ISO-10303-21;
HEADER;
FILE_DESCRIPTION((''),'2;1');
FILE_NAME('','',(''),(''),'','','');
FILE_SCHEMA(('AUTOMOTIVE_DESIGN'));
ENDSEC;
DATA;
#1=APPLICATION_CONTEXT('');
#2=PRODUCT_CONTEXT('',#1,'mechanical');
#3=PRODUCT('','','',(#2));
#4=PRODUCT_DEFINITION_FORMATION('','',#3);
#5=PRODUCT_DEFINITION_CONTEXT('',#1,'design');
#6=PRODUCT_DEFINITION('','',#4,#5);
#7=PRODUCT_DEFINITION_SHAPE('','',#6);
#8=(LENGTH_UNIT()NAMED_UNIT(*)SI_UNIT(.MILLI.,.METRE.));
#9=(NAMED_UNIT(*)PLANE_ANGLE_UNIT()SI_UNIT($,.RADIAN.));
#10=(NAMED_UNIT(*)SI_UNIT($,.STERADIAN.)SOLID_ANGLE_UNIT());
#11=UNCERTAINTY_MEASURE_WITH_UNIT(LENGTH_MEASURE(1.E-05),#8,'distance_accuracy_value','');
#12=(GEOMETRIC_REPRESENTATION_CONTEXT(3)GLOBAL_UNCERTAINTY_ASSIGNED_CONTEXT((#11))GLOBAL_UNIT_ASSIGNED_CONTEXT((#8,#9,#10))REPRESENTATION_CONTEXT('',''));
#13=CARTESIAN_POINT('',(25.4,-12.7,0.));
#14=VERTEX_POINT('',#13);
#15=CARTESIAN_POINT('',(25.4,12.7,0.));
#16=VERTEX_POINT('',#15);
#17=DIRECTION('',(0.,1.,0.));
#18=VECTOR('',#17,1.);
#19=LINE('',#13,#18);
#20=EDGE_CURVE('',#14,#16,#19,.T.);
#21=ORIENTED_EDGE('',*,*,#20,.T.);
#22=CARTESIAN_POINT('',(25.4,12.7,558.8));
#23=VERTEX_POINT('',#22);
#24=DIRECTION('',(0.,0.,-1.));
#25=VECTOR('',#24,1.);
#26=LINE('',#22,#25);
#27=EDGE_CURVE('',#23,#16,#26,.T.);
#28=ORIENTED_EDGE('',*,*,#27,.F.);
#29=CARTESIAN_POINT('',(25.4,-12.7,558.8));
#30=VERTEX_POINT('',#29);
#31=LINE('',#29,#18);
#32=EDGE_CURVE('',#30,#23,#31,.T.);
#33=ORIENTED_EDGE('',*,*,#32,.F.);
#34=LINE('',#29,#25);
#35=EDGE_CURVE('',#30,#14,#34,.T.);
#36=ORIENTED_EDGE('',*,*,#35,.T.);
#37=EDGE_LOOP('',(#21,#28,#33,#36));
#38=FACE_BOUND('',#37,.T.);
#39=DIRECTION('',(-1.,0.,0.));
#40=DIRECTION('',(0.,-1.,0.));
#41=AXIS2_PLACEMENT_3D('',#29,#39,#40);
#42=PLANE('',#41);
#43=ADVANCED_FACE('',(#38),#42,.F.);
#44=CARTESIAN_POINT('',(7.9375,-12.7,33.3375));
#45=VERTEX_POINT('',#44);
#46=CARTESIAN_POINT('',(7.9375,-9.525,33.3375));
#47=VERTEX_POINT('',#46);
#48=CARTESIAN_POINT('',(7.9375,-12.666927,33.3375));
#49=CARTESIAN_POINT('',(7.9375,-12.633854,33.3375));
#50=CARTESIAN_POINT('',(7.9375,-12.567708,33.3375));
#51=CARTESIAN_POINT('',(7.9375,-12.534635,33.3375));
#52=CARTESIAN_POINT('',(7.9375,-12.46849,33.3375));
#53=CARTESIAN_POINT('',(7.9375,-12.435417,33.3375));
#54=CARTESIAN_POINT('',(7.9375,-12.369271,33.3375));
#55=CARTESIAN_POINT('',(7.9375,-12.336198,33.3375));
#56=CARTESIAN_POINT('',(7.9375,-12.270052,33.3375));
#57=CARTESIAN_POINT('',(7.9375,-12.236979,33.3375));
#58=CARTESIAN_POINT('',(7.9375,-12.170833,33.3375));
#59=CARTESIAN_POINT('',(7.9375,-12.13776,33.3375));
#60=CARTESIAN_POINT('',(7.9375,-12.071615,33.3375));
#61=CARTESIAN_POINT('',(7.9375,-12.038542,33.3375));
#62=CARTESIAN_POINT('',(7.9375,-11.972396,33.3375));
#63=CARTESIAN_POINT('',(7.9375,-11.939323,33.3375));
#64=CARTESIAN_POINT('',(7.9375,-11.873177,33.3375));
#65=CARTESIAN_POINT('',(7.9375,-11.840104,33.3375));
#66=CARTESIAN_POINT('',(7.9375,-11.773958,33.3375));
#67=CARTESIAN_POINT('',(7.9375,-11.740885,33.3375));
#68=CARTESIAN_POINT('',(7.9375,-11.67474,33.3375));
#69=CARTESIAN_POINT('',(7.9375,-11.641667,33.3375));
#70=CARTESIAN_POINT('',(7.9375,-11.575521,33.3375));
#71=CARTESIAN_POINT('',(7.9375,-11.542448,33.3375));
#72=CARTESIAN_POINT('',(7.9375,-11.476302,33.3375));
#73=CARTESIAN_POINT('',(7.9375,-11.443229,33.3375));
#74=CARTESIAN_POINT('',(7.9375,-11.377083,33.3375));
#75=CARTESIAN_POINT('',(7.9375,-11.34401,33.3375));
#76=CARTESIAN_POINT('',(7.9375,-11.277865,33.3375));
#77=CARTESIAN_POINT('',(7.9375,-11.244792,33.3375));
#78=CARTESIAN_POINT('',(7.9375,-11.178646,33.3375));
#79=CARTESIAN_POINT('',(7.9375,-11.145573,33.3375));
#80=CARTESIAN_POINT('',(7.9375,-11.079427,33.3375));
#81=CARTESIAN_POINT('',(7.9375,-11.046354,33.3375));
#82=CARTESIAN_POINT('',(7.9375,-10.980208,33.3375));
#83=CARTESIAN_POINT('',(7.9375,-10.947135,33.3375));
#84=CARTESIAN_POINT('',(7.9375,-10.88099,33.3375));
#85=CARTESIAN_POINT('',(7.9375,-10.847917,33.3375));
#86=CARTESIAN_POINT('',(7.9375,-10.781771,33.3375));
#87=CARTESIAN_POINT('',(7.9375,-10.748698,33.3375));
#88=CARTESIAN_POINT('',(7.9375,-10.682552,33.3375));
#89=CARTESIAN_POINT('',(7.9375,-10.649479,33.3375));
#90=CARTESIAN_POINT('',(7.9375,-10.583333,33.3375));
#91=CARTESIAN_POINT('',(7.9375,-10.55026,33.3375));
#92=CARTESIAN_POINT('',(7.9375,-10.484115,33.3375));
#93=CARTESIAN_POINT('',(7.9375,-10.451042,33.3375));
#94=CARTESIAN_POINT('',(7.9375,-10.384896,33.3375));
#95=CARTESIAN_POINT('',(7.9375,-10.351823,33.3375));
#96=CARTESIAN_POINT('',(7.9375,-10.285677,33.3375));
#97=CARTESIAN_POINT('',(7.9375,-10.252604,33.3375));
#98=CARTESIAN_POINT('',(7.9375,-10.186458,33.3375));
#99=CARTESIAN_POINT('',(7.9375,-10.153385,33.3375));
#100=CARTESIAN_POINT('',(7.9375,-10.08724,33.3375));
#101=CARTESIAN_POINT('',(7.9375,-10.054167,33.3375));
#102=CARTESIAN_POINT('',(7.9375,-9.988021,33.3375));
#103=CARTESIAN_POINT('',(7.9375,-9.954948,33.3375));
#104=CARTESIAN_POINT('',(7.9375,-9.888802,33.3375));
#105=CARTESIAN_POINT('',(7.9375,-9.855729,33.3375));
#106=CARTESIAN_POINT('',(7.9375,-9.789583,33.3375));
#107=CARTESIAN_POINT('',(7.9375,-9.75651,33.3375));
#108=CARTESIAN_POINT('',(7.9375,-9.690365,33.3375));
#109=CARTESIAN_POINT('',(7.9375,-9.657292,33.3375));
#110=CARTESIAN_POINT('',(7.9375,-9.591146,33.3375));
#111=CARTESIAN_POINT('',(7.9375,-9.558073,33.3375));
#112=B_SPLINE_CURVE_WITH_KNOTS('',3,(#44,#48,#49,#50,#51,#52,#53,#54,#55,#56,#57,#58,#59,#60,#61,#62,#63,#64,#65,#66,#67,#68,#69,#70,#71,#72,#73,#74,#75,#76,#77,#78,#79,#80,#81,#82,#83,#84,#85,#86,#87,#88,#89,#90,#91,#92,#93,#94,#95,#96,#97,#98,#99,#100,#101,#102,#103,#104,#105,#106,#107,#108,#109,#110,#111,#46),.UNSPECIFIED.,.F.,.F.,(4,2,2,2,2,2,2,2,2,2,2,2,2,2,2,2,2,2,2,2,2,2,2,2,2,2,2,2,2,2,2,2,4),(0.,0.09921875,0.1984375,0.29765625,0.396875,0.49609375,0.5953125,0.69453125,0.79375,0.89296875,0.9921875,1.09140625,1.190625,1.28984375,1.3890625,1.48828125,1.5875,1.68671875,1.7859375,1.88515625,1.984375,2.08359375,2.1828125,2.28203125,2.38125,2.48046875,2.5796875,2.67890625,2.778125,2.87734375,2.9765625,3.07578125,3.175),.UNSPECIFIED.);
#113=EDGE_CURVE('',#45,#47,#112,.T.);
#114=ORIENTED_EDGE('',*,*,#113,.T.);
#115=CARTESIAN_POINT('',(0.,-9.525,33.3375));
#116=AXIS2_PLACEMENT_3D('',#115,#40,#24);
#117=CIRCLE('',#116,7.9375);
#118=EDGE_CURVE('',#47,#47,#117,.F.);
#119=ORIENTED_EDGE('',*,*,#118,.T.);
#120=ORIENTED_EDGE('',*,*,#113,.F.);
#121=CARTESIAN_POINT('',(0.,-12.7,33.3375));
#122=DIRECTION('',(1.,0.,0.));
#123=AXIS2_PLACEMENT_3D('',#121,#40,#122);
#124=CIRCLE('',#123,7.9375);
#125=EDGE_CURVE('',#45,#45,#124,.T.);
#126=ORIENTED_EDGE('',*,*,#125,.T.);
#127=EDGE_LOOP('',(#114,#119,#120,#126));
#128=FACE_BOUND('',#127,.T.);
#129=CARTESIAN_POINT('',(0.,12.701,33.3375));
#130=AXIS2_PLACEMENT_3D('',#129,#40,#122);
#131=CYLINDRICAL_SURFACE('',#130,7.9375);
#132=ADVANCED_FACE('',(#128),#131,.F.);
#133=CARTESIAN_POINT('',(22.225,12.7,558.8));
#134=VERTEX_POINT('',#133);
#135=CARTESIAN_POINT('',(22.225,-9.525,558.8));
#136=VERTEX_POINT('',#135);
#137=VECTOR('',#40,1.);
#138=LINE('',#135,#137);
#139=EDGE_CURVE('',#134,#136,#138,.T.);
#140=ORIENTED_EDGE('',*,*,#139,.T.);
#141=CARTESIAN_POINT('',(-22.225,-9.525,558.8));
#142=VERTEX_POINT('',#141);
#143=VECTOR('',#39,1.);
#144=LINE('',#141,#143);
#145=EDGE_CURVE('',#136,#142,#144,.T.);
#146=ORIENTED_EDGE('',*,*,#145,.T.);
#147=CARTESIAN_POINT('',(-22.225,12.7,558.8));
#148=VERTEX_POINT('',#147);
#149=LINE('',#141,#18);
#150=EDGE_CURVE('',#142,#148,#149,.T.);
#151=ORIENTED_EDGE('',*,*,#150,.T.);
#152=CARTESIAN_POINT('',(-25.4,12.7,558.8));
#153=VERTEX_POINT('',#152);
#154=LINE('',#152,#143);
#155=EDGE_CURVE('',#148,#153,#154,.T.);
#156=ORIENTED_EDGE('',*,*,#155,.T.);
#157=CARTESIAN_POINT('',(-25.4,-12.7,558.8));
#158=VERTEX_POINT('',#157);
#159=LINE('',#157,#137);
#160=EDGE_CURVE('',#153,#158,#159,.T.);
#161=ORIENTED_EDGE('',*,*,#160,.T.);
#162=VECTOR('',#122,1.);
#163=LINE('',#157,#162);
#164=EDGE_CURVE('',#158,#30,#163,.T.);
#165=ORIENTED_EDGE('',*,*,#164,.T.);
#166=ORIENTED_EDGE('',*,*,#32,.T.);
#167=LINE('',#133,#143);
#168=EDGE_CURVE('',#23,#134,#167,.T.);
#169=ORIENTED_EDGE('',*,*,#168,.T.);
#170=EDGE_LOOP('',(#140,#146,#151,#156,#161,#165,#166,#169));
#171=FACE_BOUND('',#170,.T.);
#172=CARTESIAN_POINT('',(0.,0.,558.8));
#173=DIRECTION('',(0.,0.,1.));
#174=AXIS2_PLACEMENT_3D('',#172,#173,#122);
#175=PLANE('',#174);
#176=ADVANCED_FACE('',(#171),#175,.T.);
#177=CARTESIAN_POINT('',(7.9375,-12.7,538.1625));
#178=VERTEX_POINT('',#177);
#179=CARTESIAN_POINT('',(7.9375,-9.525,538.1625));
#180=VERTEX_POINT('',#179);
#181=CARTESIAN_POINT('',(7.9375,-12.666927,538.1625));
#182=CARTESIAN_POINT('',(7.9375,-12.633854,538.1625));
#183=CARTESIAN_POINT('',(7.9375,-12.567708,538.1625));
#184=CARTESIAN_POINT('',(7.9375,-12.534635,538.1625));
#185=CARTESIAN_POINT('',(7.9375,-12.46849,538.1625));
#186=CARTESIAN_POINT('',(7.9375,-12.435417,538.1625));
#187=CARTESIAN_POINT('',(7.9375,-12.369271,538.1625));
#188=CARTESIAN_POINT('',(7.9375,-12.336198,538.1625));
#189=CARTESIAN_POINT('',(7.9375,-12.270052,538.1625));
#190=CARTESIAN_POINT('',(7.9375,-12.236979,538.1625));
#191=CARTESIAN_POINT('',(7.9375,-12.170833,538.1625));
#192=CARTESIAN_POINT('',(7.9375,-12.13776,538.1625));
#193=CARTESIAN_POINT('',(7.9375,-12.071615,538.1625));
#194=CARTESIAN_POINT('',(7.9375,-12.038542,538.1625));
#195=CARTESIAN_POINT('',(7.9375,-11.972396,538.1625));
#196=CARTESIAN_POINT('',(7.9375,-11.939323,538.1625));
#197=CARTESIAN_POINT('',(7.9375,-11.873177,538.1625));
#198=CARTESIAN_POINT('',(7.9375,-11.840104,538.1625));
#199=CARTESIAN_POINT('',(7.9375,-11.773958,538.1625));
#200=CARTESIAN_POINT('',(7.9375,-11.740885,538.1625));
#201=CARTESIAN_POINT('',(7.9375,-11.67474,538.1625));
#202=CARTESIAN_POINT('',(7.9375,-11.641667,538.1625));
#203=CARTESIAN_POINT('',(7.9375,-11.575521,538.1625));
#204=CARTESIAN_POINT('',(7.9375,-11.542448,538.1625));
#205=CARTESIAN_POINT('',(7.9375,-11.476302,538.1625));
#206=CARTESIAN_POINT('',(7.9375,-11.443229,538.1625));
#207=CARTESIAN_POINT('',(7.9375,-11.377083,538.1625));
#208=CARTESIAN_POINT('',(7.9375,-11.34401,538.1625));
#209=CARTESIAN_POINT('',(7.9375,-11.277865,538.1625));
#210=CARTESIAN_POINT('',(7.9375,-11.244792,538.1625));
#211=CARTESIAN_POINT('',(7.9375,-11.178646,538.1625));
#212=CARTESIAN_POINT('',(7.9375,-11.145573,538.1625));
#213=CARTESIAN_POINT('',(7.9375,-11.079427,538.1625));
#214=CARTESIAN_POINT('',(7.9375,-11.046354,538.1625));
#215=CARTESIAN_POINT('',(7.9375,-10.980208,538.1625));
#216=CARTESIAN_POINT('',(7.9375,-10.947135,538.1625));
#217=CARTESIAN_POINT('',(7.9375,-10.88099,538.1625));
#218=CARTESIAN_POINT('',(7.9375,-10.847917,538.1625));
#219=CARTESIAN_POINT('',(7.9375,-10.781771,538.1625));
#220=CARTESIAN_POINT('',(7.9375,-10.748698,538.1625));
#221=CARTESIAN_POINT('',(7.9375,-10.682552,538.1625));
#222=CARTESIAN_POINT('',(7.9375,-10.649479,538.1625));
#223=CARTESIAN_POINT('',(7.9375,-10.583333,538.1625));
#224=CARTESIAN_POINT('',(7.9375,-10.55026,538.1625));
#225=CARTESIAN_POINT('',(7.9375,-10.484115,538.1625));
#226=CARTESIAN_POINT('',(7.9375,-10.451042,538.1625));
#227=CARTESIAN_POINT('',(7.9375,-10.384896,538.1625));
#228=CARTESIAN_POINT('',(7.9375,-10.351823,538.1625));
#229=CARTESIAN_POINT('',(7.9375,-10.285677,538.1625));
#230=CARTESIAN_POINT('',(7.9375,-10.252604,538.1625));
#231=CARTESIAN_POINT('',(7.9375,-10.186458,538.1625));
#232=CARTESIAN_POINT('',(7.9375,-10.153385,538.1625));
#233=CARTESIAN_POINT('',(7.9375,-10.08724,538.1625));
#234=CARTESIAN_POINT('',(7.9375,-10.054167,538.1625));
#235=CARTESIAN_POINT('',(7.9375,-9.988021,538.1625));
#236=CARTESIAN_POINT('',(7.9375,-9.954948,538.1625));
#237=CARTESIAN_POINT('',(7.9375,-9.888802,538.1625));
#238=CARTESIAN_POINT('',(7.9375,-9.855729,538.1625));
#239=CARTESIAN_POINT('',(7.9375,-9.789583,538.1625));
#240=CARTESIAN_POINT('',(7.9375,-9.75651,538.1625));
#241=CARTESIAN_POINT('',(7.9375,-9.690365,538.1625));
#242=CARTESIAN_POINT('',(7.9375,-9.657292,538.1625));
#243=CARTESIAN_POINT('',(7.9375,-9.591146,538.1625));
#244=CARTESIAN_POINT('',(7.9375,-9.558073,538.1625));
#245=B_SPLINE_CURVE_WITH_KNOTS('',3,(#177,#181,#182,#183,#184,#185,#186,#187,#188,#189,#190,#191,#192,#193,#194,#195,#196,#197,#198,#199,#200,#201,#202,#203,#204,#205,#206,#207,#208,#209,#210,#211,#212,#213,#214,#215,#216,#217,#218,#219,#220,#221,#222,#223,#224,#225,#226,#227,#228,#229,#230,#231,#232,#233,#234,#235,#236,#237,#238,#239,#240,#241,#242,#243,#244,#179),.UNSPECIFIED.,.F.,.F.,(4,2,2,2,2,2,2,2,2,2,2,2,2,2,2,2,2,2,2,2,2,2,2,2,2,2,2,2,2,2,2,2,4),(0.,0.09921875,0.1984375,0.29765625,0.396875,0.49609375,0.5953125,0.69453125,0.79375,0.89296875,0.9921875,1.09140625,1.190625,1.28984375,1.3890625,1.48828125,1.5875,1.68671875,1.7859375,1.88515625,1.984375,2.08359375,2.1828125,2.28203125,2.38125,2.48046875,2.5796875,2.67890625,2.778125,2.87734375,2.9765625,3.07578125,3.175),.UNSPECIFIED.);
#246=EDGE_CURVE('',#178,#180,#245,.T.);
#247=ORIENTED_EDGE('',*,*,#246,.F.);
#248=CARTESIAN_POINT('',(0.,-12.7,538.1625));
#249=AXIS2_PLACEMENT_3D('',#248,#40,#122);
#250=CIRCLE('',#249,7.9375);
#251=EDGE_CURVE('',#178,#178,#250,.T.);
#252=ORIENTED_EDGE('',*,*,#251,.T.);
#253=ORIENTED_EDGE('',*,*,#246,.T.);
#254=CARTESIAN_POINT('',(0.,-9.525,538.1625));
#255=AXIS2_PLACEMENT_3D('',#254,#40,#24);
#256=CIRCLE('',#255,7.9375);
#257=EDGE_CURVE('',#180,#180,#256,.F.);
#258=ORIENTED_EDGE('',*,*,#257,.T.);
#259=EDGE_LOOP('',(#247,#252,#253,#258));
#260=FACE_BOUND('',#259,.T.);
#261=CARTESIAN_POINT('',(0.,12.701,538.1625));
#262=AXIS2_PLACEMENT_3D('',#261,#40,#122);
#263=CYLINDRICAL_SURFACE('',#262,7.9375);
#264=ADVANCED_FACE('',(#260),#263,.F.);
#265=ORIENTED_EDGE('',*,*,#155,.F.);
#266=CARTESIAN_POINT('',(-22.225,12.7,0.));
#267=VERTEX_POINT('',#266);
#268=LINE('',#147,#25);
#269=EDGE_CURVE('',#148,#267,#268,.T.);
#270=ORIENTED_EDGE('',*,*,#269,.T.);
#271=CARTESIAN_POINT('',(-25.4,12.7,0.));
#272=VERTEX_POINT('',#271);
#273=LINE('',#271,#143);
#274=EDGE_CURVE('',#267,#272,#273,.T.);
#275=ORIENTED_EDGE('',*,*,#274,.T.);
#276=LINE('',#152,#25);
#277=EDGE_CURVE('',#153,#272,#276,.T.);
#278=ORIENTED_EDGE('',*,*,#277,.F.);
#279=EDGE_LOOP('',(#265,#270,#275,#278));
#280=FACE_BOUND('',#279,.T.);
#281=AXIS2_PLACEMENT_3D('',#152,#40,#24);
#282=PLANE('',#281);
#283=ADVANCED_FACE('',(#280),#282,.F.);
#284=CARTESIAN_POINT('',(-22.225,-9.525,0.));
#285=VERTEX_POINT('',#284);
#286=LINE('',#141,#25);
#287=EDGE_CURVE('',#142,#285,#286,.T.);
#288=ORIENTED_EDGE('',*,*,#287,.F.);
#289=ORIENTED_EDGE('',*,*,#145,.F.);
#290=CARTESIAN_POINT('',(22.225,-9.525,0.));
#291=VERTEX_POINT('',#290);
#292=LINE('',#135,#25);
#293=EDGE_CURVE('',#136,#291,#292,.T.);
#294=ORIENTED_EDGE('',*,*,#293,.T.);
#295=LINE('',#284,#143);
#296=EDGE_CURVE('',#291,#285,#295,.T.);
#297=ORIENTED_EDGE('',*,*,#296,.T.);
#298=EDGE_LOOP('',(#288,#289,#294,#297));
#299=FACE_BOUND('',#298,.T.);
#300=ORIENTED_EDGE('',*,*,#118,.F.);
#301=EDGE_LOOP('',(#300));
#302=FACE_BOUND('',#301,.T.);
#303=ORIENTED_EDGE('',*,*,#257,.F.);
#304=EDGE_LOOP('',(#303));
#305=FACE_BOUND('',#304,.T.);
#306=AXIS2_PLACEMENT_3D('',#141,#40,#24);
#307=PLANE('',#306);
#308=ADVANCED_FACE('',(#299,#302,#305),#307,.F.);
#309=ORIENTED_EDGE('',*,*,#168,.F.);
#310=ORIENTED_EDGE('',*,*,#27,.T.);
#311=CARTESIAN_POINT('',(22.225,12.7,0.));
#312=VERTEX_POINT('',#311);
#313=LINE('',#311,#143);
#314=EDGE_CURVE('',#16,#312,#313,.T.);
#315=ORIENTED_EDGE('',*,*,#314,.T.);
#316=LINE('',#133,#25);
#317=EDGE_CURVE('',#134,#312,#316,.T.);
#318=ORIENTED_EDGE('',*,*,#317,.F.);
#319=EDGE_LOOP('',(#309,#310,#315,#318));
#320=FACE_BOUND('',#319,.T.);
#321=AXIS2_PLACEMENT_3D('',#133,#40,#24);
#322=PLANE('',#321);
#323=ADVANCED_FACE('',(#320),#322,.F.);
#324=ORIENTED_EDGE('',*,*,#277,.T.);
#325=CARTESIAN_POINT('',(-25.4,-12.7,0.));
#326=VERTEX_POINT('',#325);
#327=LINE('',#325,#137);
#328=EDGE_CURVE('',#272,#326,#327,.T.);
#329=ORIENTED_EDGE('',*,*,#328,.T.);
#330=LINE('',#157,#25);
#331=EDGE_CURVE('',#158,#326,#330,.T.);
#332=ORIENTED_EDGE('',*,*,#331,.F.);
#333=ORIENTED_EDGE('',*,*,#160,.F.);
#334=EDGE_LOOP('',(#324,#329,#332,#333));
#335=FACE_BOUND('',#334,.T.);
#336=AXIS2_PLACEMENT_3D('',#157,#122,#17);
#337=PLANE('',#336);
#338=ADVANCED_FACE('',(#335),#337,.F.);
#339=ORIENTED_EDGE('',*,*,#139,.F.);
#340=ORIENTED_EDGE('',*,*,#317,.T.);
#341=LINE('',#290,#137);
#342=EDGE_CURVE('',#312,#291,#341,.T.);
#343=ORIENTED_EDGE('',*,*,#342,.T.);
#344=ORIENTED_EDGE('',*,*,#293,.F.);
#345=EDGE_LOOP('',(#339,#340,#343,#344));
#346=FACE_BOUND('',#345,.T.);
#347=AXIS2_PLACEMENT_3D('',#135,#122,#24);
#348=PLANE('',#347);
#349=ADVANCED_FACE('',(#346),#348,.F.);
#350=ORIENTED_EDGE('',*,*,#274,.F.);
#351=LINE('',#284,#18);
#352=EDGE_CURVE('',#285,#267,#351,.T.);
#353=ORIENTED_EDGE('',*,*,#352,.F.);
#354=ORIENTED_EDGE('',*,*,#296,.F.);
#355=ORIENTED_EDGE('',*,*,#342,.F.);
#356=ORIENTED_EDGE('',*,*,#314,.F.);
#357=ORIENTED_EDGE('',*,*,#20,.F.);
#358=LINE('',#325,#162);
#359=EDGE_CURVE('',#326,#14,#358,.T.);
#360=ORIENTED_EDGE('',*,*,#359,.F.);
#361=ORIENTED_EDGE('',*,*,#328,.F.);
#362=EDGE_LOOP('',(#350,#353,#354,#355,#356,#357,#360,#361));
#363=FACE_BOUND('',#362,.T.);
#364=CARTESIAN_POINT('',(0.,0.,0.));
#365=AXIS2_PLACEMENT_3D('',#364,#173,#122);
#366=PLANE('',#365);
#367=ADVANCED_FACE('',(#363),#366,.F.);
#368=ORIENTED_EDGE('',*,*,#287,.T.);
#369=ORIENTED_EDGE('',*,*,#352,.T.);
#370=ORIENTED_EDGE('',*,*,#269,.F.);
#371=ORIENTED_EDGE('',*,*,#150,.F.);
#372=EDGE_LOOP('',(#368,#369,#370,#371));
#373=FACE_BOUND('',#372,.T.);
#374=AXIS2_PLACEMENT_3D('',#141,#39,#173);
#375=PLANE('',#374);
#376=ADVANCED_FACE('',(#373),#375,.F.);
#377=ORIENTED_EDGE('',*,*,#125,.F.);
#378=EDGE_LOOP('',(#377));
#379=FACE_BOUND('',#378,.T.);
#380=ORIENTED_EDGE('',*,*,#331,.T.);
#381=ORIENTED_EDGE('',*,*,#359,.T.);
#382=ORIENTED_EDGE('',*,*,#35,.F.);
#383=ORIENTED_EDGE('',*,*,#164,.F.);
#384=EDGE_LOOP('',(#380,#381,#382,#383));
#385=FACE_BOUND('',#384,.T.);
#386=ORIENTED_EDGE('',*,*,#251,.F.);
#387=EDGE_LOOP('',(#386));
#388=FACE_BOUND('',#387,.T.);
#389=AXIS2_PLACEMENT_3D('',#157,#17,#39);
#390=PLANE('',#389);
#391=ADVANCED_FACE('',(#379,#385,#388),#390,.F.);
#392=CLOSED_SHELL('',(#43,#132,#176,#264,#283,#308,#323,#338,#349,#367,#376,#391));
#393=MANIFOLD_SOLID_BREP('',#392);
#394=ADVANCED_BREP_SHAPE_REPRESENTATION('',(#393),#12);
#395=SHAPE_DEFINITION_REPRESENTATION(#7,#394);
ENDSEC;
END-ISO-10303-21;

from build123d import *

# Parameters (mm, degrees)
BOSS_EXTRUDE1_DEPTH = 558.8
CUT_EXTRUDE1_REACH  = 561.953
SKETCH2_R           = 7.9375
CUT_EXTRUDE2_REACH  = 561.953
SKETCH3_R           = 7.9375


with BuildPart() as part:
    # Sketch1 → Boss-Extrude1 (new body)
    with BuildSketch(Plane.XY):
        Polygon((-22.225, -9.525), (-22.225, 12.7), (-25.4, 12.7), (-25.4, -12.7), (25.4, -12.7), (25.4, 12.7), (22.225, 12.7), (22.225, -9.525), align=None)
    extrude(amount=BOSS_EXTRUDE1_DEPTH)

    # Sketch2 → Cut-Extrude1 (cut, up to next)
    with BuildSketch(Plane.XZ.offset(12.7), mode=Mode.PRIVATE) as cut_extrude1_sk1:
        with Locations((0, 33.3375)):
            Circle(SKETCH2_R)
    cut_extrude1_tool1 = extrude(cut_extrude1_sk1.sketch, amount=-CUT_EXTRUDE1_REACH, mode=Mode.PRIVATE) & part.part
    add(cut_extrude1_tool1.solids().sort_by_distance((0, -12.7, 33.3375))[0], mode=Mode.SUBTRACT)

    # Sketch3 → Cut-Extrude2 (cut, up to next)
    with BuildSketch(Plane.XZ.offset(12.7), mode=Mode.PRIVATE) as cut_extrude2_sk1:
        with Locations((0, 538.1625)):
            Circle(SKETCH3_R)
    cut_extrude2_tool1 = extrude(cut_extrude2_sk1.sketch, amount=-CUT_EXTRUDE2_REACH, mode=Mode.PRIVATE) & part.part
    add(cut_extrude2_tool1.solids().sort_by_distance((0, -12.7, 538.1625))[0], mode=Mode.SUBTRACT)


solid = part.part
